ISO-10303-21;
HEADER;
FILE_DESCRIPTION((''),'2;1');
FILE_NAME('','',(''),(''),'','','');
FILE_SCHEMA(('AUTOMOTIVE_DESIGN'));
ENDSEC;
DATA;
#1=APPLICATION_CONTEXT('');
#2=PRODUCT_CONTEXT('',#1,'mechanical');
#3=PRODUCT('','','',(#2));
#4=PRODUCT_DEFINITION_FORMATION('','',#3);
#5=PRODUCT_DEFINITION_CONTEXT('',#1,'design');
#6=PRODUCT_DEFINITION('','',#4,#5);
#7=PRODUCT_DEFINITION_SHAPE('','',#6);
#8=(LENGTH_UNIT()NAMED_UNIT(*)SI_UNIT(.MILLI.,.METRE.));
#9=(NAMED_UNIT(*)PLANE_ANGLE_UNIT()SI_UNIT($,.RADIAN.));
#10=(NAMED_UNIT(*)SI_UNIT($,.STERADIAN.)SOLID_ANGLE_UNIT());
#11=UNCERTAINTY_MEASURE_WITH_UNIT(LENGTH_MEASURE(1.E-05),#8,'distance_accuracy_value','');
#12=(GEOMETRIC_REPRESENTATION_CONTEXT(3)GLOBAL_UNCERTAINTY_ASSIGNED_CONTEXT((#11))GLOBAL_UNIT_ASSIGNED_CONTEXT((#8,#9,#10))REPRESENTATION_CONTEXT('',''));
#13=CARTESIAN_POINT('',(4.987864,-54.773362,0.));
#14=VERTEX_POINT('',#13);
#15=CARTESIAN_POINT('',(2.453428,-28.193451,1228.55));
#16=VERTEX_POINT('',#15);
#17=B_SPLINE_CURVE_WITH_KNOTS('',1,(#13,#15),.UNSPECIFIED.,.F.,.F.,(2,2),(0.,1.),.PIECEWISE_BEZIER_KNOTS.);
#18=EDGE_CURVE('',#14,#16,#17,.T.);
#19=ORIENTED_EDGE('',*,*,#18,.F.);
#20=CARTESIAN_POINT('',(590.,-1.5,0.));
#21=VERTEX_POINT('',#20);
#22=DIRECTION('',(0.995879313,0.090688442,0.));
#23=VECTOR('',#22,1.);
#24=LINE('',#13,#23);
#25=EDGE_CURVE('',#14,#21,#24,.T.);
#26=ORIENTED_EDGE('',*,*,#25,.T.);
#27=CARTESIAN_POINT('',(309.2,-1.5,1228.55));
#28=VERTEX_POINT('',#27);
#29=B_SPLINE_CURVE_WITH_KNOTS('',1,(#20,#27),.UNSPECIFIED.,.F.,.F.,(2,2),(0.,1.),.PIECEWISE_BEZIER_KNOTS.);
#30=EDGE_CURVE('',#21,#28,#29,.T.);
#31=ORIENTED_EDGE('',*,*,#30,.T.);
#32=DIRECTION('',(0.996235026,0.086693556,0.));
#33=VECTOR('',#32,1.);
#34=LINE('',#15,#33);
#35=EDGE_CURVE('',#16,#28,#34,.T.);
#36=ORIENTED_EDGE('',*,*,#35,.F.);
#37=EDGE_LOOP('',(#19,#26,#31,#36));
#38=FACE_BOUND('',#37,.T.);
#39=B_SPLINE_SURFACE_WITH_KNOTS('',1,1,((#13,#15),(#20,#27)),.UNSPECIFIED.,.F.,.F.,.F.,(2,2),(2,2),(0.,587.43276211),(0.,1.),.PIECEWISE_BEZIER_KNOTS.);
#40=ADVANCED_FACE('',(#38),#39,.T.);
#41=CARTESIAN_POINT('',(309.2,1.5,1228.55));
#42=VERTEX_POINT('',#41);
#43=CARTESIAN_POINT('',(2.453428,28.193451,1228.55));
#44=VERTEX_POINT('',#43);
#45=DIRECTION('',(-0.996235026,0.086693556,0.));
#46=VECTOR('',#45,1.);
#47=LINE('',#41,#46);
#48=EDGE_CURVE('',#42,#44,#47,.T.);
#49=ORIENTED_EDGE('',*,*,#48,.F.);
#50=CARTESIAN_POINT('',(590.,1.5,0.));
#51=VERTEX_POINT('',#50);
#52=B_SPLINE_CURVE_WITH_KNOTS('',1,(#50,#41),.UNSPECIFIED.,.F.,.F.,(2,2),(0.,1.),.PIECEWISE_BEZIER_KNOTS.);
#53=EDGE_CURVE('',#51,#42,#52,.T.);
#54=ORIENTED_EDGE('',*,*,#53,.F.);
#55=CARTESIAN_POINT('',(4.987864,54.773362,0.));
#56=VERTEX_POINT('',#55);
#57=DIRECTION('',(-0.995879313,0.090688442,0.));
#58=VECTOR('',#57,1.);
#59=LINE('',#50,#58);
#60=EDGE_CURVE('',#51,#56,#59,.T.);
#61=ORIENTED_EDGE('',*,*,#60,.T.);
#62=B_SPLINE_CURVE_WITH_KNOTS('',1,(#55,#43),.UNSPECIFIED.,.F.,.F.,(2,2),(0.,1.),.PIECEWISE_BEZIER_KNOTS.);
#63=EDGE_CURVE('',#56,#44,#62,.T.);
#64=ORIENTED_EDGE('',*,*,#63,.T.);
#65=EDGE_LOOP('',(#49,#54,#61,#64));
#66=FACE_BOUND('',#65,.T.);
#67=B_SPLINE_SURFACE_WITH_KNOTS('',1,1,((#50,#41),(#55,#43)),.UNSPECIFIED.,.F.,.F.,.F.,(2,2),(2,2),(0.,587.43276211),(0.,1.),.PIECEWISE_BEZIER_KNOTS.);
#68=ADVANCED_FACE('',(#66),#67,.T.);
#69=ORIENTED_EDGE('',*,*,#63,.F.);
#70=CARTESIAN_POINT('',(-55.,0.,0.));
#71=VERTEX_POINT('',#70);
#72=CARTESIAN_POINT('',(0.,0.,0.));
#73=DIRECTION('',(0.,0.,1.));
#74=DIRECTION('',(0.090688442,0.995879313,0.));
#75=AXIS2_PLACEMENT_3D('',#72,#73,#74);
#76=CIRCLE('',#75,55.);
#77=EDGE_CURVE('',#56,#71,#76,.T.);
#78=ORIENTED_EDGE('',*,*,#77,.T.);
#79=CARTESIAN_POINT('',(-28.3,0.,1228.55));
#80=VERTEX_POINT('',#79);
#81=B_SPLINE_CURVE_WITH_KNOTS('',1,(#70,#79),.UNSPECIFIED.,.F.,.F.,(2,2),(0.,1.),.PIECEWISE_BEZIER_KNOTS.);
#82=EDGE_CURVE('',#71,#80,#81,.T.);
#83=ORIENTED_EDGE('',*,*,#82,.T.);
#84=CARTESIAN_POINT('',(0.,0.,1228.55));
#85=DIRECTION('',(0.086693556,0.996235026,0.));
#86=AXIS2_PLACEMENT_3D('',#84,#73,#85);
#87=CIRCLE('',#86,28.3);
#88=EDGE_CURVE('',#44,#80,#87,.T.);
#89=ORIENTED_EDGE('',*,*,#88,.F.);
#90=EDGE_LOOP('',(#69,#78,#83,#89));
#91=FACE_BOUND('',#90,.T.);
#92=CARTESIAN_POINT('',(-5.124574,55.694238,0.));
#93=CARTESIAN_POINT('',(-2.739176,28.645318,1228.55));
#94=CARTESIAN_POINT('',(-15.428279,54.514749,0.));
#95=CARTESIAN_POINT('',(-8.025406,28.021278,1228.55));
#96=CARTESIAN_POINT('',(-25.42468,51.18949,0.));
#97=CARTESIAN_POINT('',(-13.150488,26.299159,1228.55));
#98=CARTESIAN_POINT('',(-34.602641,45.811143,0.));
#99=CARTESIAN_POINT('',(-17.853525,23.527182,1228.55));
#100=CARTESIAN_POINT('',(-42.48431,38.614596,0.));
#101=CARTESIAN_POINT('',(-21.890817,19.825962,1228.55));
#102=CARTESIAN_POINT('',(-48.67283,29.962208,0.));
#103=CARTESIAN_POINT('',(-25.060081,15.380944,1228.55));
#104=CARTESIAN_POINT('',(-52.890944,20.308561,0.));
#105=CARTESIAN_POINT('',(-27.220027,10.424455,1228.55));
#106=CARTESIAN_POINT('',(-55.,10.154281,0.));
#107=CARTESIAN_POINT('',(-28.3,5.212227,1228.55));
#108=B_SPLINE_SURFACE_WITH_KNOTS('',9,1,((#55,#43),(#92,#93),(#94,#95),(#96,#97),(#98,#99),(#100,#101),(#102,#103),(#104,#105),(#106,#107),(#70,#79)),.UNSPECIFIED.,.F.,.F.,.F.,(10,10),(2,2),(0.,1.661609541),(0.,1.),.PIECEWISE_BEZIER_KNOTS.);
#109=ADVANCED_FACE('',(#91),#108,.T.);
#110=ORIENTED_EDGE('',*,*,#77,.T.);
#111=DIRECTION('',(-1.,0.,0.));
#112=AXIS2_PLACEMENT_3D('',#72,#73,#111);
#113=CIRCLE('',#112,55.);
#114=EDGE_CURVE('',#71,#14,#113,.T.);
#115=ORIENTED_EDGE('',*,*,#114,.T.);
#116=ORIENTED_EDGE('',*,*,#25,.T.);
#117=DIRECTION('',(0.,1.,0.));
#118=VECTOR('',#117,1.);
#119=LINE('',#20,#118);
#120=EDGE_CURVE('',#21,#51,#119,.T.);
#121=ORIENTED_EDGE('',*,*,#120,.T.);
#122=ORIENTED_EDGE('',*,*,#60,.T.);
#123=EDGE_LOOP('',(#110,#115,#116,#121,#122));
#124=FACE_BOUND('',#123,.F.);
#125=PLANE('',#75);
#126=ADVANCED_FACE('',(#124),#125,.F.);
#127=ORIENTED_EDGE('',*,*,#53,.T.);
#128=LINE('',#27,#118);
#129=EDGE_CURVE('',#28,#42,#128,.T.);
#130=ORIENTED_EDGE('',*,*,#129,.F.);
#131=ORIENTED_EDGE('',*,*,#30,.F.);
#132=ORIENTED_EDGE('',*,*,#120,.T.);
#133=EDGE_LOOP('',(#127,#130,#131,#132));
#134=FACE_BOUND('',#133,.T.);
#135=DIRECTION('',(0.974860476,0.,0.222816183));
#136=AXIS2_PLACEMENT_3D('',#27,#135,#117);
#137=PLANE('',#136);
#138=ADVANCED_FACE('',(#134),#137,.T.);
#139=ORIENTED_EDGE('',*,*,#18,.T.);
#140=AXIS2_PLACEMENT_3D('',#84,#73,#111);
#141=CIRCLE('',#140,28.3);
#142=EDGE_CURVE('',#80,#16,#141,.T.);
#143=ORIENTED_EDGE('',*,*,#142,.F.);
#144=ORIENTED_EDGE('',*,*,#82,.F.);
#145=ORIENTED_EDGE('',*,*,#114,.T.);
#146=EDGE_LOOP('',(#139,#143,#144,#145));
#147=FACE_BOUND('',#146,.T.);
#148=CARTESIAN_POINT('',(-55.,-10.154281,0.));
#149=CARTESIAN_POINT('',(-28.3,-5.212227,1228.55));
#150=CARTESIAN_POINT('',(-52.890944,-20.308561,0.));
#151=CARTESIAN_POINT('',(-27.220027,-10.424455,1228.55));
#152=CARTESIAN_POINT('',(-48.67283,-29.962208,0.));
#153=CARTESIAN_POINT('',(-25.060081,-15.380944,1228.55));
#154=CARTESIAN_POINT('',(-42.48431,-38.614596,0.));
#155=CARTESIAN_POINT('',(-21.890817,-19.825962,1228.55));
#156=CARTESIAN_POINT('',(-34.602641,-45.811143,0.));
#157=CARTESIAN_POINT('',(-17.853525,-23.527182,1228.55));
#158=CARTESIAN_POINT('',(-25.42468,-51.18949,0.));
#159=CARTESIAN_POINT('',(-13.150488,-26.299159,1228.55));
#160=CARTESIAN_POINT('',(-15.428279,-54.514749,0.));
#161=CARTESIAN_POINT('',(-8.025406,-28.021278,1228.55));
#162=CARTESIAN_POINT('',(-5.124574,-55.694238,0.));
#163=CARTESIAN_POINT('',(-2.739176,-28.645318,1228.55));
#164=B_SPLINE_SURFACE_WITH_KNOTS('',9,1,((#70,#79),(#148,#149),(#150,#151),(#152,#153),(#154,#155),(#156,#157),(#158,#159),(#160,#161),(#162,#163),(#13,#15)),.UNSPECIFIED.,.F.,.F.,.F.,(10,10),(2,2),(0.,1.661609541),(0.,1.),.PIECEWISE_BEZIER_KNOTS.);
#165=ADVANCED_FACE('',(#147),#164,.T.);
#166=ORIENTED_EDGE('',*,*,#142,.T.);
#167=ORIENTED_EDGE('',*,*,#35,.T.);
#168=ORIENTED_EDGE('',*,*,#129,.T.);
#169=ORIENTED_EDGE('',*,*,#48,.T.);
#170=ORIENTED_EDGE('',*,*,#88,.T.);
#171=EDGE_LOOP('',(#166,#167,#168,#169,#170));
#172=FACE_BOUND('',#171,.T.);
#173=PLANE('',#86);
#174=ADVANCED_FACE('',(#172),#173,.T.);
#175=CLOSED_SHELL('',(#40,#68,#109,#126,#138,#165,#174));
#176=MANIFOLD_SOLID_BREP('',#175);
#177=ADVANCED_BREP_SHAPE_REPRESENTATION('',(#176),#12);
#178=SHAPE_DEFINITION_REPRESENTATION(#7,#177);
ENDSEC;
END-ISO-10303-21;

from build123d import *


with BuildPart() as f3:
    # F1 (on Top) → F3 section 0
    with BuildSketch(Plane.XY):
        with BuildLine():
            Line((590, -1.5), (590, 0))
            Line((590, 0), (590, 1.5))
            Line((590, 1.5), (4.9878643333, 54.7733622246))
            ThreePointArc((4.9878643333, 54.7733622246), (-37.0854921881, 40.6160838729), (-55, 0))
            ThreePointArc((-55, 0), (-37.0854921881, -40.6160838729), (4.9878643333, -54.7733622246))
            Line((4.9878643333, -54.7733622246), (590, -1.5))
        make_face()
    # F2 (on offset) → F3 section 1
    with BuildSketch(Plane.XY.offset(1228.55)):
        with BuildLine():
            Line((309.2, -1.5), (309.2, 0))
            Line((309.2, 0), (309.2, 1.5))
            Line((309.2, 1.5), (2.4534276298, 28.1934512408))
            ThreePointArc((2.4534276298, 28.1934512408), (-19.1240424345, 20.8605129602), (-28.3, 0))
            ThreePointArc((-28.3, 0), (-19.1240424345, -20.8605129602), (2.4534276298, -28.1934512408))
            Line((2.4534276298, -28.1934512408), (309.2, -1.5))
        make_face()
    loft()


solid = f3.part
